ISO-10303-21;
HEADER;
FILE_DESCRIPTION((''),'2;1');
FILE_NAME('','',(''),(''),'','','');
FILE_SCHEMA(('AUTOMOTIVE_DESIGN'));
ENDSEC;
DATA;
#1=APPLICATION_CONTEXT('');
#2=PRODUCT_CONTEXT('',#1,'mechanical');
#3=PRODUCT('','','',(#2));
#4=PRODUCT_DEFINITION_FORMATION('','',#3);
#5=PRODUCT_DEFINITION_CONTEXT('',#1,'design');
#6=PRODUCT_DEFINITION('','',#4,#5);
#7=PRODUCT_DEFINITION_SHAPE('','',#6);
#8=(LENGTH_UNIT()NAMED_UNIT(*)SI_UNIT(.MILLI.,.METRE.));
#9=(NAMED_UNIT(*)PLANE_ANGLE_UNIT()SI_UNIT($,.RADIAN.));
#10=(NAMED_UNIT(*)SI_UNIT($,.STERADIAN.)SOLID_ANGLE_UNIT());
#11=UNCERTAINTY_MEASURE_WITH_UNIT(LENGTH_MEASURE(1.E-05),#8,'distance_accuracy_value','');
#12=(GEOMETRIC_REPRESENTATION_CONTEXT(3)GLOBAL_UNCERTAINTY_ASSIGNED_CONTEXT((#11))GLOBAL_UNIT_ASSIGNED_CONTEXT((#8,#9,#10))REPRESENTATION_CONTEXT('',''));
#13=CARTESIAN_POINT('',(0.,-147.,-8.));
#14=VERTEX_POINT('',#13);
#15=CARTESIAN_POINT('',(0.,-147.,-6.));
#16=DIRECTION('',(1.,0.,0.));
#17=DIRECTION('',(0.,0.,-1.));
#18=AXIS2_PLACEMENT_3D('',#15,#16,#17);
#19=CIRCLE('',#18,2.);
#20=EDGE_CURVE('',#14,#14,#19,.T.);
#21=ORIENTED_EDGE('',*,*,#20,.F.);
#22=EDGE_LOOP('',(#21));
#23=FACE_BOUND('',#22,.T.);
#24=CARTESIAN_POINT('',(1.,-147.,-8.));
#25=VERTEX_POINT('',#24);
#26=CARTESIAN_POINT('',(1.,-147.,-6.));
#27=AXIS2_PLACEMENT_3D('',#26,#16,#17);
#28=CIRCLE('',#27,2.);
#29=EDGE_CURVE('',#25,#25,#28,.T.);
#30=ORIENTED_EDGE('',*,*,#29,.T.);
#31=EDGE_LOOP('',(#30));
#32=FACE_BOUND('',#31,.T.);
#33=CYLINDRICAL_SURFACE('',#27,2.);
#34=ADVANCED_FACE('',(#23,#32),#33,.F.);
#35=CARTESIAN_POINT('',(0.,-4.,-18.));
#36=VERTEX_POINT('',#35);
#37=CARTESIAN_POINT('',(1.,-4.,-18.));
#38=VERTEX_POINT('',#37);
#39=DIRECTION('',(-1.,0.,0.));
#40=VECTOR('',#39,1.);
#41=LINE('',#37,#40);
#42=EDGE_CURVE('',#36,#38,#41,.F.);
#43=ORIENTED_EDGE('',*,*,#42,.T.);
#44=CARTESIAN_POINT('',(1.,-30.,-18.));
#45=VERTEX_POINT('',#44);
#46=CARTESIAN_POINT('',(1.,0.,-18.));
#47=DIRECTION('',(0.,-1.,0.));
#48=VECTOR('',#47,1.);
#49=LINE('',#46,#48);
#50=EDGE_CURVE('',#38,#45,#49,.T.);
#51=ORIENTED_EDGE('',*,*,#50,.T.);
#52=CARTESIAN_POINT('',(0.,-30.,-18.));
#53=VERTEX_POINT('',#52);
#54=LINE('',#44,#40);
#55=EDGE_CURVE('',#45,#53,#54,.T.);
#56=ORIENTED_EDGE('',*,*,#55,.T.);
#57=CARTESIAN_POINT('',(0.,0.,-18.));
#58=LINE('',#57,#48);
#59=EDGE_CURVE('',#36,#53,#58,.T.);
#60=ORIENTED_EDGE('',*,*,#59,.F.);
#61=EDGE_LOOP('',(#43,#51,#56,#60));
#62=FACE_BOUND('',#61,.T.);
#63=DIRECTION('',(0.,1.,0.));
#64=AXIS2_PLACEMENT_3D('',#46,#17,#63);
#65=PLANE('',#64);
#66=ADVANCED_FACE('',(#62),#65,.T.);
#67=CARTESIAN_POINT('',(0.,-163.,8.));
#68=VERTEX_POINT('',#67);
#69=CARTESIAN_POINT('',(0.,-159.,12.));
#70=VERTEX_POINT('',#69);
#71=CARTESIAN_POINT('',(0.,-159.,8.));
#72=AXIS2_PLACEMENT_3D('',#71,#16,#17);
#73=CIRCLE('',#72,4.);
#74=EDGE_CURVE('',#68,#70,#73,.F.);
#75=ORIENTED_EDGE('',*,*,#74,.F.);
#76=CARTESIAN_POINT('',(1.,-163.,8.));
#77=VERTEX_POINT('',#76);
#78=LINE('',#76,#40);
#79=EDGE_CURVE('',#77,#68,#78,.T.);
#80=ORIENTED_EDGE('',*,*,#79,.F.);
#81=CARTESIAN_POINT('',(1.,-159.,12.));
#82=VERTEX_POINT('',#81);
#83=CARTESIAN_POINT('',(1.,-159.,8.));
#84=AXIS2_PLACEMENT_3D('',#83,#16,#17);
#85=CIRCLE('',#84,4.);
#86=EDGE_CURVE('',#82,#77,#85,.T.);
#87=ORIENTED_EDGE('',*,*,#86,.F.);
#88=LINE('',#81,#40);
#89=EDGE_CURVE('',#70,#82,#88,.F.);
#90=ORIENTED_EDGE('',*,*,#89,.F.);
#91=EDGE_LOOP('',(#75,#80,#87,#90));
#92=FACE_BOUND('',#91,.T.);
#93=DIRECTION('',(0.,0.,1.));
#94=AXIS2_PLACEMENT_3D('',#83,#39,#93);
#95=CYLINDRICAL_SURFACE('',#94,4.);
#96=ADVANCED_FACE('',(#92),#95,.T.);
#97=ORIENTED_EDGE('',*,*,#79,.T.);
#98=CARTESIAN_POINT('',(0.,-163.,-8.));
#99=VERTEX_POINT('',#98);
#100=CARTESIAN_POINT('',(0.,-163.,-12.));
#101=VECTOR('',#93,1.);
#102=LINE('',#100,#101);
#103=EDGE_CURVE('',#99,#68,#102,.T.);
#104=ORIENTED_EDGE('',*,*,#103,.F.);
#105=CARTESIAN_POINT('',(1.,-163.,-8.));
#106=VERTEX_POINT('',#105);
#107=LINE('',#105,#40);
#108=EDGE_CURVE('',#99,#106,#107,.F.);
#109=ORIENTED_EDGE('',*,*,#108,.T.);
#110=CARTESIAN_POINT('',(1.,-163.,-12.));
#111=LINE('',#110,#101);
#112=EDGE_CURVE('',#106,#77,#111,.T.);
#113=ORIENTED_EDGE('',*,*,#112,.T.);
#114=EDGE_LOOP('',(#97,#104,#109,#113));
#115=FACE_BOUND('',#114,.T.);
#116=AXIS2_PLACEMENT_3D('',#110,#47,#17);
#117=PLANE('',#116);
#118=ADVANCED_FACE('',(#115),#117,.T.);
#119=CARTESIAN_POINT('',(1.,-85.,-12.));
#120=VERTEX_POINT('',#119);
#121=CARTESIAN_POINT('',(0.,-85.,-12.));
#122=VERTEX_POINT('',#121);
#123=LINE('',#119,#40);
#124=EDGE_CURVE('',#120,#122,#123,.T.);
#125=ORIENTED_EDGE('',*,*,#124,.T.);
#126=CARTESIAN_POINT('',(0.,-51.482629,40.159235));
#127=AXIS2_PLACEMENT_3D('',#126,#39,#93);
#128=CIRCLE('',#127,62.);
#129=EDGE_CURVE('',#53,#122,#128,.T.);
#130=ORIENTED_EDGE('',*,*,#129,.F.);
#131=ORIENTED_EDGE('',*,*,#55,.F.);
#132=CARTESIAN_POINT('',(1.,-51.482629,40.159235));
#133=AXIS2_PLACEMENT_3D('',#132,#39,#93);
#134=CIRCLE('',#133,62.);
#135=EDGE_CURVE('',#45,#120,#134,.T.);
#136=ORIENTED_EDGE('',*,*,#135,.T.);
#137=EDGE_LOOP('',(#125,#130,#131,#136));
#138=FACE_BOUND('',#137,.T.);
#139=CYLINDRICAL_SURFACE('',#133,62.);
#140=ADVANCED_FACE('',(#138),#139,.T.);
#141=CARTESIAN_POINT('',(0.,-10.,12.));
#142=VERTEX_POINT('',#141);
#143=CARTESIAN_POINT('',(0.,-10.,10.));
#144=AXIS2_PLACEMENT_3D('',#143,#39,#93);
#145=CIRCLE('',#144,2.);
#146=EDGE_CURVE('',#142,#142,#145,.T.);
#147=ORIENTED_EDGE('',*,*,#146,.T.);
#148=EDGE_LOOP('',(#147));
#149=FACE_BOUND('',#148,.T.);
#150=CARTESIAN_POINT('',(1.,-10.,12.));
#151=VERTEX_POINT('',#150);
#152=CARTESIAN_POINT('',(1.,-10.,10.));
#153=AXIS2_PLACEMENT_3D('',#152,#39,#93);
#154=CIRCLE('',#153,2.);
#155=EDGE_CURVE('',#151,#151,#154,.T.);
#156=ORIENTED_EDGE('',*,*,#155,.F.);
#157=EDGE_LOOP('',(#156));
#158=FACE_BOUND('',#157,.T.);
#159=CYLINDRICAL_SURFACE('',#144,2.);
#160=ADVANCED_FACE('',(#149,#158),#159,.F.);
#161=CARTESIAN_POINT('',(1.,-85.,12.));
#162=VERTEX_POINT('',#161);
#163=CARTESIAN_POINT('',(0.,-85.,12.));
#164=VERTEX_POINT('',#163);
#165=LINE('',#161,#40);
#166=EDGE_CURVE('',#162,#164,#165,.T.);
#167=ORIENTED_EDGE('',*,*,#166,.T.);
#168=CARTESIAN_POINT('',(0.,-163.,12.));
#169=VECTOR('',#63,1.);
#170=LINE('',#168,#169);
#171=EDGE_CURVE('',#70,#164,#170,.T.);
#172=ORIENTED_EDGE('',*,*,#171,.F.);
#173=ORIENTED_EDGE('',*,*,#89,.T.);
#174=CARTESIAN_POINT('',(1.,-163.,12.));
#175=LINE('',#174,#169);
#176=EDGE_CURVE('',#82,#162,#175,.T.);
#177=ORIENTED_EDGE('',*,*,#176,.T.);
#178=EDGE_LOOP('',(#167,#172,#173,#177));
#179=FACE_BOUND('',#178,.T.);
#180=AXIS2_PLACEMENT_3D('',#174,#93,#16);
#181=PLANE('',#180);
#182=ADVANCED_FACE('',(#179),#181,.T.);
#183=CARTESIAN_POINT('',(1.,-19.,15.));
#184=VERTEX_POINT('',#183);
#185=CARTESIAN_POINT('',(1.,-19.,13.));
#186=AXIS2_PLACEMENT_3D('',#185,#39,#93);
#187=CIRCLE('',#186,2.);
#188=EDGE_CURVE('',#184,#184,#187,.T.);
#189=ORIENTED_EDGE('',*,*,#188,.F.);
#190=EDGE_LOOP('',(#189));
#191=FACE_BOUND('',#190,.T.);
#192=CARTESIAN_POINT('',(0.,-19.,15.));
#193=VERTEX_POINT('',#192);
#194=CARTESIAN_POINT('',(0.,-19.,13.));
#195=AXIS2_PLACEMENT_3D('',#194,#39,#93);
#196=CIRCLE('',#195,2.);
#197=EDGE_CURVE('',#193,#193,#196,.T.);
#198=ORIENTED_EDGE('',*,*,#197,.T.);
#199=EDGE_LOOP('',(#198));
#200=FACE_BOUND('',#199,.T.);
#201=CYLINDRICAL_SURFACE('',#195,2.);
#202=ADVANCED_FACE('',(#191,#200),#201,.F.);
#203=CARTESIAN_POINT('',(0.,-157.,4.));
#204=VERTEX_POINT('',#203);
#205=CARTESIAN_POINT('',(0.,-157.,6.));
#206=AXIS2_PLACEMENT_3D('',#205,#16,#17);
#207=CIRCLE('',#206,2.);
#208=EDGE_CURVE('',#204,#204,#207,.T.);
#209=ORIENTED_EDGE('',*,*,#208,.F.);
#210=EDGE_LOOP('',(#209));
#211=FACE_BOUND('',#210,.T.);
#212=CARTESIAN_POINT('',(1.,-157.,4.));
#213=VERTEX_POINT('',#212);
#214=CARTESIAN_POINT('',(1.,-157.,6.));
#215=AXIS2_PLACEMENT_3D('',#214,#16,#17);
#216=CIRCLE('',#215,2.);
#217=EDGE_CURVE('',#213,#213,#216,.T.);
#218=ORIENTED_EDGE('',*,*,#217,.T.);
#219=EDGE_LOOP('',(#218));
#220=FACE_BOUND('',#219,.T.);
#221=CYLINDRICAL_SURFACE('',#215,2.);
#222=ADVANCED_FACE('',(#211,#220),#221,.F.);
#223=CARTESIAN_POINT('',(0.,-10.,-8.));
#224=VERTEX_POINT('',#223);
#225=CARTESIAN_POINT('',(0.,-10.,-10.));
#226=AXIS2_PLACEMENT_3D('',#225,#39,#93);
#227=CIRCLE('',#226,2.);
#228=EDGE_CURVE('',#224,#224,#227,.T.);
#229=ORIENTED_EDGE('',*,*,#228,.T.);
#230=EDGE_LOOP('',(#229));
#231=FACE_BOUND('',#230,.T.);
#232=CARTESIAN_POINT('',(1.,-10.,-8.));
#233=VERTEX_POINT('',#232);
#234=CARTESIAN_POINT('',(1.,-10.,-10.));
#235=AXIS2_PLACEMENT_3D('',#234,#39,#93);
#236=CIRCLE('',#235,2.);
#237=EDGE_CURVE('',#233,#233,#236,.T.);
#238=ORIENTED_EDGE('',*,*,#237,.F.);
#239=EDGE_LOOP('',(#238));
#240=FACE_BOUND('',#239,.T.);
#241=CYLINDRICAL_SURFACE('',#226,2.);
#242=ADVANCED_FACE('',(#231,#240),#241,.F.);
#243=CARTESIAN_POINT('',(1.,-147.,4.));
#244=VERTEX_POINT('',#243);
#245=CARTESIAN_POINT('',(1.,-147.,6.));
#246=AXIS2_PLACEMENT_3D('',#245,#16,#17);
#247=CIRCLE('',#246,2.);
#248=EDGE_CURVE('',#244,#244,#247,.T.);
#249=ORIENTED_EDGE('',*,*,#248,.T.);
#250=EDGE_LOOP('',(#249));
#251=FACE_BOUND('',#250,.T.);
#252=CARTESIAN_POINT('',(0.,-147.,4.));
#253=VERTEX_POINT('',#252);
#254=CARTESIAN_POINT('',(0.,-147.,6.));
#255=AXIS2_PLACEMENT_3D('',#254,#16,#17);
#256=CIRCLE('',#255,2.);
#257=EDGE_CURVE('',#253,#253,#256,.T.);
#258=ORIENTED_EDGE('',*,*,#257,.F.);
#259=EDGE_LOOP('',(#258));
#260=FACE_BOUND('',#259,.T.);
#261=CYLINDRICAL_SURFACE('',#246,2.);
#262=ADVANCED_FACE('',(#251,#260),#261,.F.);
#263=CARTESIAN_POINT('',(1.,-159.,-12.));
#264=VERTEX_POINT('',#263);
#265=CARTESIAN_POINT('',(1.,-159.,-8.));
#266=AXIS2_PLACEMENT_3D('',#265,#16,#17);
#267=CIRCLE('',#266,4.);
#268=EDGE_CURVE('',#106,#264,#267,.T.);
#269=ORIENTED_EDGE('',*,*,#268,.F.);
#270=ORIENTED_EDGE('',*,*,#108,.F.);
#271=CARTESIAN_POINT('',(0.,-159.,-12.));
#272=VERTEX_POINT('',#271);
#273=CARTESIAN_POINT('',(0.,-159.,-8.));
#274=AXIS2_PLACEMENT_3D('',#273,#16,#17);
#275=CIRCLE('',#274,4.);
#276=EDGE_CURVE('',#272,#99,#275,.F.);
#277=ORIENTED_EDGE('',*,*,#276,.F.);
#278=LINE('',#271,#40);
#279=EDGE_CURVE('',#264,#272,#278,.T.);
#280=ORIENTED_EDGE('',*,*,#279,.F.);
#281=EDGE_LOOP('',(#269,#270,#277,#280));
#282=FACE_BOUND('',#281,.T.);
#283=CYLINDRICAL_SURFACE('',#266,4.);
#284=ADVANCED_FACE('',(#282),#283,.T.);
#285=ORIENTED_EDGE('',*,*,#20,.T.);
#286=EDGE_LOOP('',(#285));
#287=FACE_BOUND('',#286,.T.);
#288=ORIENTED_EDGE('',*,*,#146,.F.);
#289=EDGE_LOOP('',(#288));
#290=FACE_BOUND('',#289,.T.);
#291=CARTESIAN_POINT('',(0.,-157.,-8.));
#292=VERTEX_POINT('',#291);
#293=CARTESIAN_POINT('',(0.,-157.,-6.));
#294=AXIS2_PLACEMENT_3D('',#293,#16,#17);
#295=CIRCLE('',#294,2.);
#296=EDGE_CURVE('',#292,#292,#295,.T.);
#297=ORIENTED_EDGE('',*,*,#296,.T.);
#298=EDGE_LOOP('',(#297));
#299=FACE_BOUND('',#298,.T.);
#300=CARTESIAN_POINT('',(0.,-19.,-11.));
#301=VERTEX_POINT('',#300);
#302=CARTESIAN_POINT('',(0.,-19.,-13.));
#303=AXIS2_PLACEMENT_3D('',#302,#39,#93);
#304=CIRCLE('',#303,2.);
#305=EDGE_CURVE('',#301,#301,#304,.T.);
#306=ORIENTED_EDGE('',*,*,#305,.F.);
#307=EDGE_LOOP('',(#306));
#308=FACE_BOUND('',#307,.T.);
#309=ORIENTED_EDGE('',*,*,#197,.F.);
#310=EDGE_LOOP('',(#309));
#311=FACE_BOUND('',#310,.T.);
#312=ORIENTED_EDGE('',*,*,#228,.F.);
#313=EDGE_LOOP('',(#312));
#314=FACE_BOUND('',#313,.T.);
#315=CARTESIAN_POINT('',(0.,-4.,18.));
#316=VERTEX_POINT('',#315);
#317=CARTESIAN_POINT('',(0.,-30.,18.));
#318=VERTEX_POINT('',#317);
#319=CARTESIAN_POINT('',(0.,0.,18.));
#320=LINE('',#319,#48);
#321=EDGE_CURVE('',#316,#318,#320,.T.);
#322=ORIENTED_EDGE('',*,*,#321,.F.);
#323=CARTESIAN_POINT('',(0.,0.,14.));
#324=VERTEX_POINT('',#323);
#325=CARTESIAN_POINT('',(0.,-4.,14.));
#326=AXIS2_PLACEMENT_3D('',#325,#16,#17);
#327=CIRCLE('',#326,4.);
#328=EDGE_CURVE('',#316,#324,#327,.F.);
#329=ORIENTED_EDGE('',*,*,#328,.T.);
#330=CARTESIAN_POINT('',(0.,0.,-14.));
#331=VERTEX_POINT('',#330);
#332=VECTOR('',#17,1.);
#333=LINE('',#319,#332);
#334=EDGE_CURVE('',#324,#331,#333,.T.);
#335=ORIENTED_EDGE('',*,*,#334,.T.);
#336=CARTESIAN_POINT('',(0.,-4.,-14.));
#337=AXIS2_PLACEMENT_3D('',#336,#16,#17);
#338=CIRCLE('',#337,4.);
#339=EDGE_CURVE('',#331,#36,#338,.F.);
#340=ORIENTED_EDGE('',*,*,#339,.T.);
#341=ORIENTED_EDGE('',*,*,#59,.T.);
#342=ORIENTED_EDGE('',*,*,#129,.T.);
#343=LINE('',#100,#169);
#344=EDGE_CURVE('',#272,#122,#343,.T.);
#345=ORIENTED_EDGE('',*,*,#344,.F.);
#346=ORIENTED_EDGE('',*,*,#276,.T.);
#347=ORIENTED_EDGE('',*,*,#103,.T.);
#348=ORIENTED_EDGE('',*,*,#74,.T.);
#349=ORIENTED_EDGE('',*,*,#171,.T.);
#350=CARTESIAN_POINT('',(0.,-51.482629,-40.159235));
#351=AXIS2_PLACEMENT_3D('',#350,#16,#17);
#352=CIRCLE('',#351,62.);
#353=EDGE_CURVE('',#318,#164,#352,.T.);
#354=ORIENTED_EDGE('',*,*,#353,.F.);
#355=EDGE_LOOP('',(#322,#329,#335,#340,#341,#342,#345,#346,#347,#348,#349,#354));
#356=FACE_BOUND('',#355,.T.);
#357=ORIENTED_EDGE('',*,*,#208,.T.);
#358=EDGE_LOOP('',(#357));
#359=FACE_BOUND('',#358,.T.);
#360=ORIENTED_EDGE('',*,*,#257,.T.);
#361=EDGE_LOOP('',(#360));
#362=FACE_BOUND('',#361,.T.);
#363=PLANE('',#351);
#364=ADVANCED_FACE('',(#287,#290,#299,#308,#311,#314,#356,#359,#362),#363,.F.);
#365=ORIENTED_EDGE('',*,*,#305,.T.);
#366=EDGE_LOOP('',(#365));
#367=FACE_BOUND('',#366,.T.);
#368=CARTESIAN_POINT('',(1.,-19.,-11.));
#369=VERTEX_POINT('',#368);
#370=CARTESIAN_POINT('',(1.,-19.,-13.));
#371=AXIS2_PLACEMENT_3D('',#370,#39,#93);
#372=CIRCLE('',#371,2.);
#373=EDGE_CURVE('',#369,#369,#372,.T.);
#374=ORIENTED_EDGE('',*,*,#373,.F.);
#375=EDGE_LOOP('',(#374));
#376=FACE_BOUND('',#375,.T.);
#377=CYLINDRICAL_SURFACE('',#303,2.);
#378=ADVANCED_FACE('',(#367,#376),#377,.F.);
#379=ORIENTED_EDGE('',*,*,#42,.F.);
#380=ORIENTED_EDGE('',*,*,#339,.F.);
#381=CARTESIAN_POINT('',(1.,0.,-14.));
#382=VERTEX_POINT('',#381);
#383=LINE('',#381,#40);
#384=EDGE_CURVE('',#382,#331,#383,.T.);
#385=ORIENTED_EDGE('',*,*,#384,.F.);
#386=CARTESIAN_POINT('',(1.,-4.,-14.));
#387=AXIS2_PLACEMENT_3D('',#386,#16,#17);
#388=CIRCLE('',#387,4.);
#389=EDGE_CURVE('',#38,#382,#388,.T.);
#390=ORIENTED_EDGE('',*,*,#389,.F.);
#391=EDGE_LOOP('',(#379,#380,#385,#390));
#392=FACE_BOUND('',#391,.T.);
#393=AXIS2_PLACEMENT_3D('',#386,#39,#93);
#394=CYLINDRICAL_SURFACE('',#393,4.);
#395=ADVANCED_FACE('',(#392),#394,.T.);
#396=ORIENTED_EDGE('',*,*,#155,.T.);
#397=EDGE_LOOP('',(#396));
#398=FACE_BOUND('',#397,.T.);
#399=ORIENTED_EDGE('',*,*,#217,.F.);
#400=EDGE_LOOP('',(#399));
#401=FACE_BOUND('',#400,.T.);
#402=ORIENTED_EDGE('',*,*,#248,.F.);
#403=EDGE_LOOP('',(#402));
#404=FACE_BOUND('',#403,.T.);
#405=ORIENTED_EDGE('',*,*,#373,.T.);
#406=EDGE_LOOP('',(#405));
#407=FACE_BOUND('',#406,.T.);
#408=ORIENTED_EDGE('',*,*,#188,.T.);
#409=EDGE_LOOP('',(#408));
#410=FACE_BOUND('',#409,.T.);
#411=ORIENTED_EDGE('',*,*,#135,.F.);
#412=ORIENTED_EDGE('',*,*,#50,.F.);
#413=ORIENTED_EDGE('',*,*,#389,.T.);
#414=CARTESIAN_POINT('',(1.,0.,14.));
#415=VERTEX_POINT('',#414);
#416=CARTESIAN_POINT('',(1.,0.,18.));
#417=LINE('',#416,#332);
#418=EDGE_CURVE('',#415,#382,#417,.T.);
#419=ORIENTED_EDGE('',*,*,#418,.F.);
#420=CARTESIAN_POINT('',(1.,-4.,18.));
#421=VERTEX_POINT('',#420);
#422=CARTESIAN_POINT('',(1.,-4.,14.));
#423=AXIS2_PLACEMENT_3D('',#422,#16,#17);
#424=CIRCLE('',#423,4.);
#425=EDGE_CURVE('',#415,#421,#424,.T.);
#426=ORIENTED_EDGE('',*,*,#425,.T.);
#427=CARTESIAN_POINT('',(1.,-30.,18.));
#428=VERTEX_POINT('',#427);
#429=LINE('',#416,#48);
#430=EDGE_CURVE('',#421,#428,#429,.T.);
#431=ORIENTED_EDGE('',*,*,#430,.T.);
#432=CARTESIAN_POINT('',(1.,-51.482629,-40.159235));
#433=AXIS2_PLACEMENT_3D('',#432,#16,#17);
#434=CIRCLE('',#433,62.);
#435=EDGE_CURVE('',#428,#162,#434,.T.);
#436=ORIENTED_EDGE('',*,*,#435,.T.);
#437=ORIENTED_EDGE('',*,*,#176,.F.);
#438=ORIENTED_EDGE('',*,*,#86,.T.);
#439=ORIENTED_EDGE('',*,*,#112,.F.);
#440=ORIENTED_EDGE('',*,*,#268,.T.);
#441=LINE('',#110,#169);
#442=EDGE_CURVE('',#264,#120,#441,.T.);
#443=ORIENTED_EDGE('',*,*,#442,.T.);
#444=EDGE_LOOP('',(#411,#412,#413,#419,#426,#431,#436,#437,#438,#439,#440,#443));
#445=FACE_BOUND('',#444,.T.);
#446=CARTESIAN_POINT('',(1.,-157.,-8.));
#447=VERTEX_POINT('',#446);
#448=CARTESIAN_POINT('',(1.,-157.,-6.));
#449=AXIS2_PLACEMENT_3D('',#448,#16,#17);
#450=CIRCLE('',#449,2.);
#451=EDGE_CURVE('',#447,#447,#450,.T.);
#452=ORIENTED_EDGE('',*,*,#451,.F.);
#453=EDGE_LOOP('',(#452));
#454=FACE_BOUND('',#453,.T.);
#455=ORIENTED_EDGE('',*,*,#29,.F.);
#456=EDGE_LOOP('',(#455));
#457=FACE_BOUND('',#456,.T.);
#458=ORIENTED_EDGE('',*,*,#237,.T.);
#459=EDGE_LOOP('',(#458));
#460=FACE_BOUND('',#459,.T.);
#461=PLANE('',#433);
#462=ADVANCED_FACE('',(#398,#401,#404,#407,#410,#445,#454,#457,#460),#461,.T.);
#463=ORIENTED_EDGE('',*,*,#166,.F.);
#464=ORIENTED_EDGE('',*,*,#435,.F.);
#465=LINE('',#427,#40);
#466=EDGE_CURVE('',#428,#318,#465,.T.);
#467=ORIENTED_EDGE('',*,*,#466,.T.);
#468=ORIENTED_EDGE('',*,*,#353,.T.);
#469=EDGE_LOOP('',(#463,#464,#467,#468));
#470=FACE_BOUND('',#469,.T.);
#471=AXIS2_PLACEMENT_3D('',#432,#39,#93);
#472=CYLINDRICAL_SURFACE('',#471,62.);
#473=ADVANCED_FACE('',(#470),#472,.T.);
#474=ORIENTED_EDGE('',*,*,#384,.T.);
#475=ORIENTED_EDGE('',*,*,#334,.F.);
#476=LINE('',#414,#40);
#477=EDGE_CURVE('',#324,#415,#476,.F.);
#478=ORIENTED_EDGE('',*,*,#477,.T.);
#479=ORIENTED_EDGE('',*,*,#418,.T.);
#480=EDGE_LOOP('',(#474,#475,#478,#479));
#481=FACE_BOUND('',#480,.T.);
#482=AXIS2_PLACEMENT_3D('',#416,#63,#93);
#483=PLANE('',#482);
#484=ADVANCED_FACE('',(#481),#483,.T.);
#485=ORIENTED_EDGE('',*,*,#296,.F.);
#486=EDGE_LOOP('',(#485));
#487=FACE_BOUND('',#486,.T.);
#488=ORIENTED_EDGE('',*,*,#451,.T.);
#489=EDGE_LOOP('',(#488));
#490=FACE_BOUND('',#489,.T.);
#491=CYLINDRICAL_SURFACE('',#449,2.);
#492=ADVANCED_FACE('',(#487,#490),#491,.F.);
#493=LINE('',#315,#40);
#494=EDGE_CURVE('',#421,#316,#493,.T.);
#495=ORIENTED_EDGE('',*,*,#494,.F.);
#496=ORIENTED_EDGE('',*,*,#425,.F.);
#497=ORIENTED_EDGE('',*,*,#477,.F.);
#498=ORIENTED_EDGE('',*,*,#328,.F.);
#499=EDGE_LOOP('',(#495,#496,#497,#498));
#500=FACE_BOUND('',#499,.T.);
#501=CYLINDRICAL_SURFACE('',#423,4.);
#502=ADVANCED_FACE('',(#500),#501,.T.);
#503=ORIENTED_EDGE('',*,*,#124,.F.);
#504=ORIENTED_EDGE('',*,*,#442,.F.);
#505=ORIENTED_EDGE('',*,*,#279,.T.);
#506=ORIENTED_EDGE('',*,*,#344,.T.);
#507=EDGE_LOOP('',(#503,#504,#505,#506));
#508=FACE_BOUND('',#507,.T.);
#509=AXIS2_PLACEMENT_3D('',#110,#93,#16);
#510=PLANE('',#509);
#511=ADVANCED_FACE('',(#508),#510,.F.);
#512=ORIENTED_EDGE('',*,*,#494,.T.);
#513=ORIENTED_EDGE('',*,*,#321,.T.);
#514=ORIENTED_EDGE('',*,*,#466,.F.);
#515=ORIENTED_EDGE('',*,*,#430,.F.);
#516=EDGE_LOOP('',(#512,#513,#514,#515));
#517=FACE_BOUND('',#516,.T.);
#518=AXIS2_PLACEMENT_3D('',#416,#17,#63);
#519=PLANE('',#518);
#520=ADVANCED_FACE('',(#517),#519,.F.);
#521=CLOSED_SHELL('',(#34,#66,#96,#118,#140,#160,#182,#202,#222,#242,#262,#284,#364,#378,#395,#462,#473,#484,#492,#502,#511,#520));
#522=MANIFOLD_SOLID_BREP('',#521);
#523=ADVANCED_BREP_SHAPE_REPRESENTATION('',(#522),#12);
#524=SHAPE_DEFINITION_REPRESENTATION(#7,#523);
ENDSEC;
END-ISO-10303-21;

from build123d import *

# Parameters (mm, degrees)
BOSS_EXTRUDE1_DEPTH      = 1
F_4_0_4_DIAMETER_HOLE3_D = 4
F_4_0_4_DIAMETER_HOLE2_D = 4
F_4_0_4_DIAMETER_HOLE1_D = 4
LPATTERN1_COUNT          = 2
LPATTERN1_PITCH          = 10
FILLET1_R                = 4


with BuildPart() as part:
    # Sketch1 → Boss-Extrude1 (new body)
    with BuildSketch(Plane(origin=(0, 0, 0), x_dir=(0, 0, -1), z_dir=(1, 0, 0))):
        with BuildLine():
            Line((12, -163), (12, -85))
            ThreePointArc((12, -85), (21.475099597, -58.206374501), (18, -30))
            Line((18, -30), (18, 0))
            Line((18, 0), (-18, 0))
            Line((-18, 0), (-18, -30))
            ThreePointArc((-18, -30), (-21.475099597, -58.206374501), (-12, -85))
            Line((-12, -85), (-12, -163))
            Line((-12, -163), (12, -163))
        make_face()
    extrude(amount=BOSS_EXTRUDE1_DEPTH)

    # Ø4.0 (4) Diameter Hole3 (through all)
    with Locations(Plane.ZY):
        with Locations((10, -10), (-10, -10)):
            Hole(F_4_0_4_DIAMETER_HOLE3_D / 2)

    # Ø4.0 (4) Diameter Hole2 (through all)
    with Locations(Plane.ZY):
        with Locations((-13, -19), (13, -19)):
            Hole(F_4_0_4_DIAMETER_HOLE2_D / 2)

    # Ø4.0 (4) Diameter Hole1 (through all)
    with Locations(Plane(origin=(1, 0, 0), x_dir=(0, 0, -1), z_dir=(1, 0, 0))):
        with Locations((-6, -157), (6, -157)):
            f_4_0_4_diameter_hole1 = Hole(F_4_0_4_DIAMETER_HOLE1_D / 2)

    # LPattern1: Ø4.0 (4) Diameter Hole1 ×2
    with Locations(*[(0, i * LPATTERN1_PITCH, 0) for i in range(1, LPATTERN1_COUNT)]):
        add(f_4_0_4_diameter_hole1, mode=Mode.SUBTRACT)

    # Fillet1
    fillet1_edges = [part.edges().sort_by_distance(p)[0] for p in [
        (0.5, 0, 18),
        (0.5, 0, -18),
        (0.5, -163, -12),
        (0.5, -163, 12),
    ]]
    fillet(fillet1_edges, radius=FILLET1_R)


solid = part.part
